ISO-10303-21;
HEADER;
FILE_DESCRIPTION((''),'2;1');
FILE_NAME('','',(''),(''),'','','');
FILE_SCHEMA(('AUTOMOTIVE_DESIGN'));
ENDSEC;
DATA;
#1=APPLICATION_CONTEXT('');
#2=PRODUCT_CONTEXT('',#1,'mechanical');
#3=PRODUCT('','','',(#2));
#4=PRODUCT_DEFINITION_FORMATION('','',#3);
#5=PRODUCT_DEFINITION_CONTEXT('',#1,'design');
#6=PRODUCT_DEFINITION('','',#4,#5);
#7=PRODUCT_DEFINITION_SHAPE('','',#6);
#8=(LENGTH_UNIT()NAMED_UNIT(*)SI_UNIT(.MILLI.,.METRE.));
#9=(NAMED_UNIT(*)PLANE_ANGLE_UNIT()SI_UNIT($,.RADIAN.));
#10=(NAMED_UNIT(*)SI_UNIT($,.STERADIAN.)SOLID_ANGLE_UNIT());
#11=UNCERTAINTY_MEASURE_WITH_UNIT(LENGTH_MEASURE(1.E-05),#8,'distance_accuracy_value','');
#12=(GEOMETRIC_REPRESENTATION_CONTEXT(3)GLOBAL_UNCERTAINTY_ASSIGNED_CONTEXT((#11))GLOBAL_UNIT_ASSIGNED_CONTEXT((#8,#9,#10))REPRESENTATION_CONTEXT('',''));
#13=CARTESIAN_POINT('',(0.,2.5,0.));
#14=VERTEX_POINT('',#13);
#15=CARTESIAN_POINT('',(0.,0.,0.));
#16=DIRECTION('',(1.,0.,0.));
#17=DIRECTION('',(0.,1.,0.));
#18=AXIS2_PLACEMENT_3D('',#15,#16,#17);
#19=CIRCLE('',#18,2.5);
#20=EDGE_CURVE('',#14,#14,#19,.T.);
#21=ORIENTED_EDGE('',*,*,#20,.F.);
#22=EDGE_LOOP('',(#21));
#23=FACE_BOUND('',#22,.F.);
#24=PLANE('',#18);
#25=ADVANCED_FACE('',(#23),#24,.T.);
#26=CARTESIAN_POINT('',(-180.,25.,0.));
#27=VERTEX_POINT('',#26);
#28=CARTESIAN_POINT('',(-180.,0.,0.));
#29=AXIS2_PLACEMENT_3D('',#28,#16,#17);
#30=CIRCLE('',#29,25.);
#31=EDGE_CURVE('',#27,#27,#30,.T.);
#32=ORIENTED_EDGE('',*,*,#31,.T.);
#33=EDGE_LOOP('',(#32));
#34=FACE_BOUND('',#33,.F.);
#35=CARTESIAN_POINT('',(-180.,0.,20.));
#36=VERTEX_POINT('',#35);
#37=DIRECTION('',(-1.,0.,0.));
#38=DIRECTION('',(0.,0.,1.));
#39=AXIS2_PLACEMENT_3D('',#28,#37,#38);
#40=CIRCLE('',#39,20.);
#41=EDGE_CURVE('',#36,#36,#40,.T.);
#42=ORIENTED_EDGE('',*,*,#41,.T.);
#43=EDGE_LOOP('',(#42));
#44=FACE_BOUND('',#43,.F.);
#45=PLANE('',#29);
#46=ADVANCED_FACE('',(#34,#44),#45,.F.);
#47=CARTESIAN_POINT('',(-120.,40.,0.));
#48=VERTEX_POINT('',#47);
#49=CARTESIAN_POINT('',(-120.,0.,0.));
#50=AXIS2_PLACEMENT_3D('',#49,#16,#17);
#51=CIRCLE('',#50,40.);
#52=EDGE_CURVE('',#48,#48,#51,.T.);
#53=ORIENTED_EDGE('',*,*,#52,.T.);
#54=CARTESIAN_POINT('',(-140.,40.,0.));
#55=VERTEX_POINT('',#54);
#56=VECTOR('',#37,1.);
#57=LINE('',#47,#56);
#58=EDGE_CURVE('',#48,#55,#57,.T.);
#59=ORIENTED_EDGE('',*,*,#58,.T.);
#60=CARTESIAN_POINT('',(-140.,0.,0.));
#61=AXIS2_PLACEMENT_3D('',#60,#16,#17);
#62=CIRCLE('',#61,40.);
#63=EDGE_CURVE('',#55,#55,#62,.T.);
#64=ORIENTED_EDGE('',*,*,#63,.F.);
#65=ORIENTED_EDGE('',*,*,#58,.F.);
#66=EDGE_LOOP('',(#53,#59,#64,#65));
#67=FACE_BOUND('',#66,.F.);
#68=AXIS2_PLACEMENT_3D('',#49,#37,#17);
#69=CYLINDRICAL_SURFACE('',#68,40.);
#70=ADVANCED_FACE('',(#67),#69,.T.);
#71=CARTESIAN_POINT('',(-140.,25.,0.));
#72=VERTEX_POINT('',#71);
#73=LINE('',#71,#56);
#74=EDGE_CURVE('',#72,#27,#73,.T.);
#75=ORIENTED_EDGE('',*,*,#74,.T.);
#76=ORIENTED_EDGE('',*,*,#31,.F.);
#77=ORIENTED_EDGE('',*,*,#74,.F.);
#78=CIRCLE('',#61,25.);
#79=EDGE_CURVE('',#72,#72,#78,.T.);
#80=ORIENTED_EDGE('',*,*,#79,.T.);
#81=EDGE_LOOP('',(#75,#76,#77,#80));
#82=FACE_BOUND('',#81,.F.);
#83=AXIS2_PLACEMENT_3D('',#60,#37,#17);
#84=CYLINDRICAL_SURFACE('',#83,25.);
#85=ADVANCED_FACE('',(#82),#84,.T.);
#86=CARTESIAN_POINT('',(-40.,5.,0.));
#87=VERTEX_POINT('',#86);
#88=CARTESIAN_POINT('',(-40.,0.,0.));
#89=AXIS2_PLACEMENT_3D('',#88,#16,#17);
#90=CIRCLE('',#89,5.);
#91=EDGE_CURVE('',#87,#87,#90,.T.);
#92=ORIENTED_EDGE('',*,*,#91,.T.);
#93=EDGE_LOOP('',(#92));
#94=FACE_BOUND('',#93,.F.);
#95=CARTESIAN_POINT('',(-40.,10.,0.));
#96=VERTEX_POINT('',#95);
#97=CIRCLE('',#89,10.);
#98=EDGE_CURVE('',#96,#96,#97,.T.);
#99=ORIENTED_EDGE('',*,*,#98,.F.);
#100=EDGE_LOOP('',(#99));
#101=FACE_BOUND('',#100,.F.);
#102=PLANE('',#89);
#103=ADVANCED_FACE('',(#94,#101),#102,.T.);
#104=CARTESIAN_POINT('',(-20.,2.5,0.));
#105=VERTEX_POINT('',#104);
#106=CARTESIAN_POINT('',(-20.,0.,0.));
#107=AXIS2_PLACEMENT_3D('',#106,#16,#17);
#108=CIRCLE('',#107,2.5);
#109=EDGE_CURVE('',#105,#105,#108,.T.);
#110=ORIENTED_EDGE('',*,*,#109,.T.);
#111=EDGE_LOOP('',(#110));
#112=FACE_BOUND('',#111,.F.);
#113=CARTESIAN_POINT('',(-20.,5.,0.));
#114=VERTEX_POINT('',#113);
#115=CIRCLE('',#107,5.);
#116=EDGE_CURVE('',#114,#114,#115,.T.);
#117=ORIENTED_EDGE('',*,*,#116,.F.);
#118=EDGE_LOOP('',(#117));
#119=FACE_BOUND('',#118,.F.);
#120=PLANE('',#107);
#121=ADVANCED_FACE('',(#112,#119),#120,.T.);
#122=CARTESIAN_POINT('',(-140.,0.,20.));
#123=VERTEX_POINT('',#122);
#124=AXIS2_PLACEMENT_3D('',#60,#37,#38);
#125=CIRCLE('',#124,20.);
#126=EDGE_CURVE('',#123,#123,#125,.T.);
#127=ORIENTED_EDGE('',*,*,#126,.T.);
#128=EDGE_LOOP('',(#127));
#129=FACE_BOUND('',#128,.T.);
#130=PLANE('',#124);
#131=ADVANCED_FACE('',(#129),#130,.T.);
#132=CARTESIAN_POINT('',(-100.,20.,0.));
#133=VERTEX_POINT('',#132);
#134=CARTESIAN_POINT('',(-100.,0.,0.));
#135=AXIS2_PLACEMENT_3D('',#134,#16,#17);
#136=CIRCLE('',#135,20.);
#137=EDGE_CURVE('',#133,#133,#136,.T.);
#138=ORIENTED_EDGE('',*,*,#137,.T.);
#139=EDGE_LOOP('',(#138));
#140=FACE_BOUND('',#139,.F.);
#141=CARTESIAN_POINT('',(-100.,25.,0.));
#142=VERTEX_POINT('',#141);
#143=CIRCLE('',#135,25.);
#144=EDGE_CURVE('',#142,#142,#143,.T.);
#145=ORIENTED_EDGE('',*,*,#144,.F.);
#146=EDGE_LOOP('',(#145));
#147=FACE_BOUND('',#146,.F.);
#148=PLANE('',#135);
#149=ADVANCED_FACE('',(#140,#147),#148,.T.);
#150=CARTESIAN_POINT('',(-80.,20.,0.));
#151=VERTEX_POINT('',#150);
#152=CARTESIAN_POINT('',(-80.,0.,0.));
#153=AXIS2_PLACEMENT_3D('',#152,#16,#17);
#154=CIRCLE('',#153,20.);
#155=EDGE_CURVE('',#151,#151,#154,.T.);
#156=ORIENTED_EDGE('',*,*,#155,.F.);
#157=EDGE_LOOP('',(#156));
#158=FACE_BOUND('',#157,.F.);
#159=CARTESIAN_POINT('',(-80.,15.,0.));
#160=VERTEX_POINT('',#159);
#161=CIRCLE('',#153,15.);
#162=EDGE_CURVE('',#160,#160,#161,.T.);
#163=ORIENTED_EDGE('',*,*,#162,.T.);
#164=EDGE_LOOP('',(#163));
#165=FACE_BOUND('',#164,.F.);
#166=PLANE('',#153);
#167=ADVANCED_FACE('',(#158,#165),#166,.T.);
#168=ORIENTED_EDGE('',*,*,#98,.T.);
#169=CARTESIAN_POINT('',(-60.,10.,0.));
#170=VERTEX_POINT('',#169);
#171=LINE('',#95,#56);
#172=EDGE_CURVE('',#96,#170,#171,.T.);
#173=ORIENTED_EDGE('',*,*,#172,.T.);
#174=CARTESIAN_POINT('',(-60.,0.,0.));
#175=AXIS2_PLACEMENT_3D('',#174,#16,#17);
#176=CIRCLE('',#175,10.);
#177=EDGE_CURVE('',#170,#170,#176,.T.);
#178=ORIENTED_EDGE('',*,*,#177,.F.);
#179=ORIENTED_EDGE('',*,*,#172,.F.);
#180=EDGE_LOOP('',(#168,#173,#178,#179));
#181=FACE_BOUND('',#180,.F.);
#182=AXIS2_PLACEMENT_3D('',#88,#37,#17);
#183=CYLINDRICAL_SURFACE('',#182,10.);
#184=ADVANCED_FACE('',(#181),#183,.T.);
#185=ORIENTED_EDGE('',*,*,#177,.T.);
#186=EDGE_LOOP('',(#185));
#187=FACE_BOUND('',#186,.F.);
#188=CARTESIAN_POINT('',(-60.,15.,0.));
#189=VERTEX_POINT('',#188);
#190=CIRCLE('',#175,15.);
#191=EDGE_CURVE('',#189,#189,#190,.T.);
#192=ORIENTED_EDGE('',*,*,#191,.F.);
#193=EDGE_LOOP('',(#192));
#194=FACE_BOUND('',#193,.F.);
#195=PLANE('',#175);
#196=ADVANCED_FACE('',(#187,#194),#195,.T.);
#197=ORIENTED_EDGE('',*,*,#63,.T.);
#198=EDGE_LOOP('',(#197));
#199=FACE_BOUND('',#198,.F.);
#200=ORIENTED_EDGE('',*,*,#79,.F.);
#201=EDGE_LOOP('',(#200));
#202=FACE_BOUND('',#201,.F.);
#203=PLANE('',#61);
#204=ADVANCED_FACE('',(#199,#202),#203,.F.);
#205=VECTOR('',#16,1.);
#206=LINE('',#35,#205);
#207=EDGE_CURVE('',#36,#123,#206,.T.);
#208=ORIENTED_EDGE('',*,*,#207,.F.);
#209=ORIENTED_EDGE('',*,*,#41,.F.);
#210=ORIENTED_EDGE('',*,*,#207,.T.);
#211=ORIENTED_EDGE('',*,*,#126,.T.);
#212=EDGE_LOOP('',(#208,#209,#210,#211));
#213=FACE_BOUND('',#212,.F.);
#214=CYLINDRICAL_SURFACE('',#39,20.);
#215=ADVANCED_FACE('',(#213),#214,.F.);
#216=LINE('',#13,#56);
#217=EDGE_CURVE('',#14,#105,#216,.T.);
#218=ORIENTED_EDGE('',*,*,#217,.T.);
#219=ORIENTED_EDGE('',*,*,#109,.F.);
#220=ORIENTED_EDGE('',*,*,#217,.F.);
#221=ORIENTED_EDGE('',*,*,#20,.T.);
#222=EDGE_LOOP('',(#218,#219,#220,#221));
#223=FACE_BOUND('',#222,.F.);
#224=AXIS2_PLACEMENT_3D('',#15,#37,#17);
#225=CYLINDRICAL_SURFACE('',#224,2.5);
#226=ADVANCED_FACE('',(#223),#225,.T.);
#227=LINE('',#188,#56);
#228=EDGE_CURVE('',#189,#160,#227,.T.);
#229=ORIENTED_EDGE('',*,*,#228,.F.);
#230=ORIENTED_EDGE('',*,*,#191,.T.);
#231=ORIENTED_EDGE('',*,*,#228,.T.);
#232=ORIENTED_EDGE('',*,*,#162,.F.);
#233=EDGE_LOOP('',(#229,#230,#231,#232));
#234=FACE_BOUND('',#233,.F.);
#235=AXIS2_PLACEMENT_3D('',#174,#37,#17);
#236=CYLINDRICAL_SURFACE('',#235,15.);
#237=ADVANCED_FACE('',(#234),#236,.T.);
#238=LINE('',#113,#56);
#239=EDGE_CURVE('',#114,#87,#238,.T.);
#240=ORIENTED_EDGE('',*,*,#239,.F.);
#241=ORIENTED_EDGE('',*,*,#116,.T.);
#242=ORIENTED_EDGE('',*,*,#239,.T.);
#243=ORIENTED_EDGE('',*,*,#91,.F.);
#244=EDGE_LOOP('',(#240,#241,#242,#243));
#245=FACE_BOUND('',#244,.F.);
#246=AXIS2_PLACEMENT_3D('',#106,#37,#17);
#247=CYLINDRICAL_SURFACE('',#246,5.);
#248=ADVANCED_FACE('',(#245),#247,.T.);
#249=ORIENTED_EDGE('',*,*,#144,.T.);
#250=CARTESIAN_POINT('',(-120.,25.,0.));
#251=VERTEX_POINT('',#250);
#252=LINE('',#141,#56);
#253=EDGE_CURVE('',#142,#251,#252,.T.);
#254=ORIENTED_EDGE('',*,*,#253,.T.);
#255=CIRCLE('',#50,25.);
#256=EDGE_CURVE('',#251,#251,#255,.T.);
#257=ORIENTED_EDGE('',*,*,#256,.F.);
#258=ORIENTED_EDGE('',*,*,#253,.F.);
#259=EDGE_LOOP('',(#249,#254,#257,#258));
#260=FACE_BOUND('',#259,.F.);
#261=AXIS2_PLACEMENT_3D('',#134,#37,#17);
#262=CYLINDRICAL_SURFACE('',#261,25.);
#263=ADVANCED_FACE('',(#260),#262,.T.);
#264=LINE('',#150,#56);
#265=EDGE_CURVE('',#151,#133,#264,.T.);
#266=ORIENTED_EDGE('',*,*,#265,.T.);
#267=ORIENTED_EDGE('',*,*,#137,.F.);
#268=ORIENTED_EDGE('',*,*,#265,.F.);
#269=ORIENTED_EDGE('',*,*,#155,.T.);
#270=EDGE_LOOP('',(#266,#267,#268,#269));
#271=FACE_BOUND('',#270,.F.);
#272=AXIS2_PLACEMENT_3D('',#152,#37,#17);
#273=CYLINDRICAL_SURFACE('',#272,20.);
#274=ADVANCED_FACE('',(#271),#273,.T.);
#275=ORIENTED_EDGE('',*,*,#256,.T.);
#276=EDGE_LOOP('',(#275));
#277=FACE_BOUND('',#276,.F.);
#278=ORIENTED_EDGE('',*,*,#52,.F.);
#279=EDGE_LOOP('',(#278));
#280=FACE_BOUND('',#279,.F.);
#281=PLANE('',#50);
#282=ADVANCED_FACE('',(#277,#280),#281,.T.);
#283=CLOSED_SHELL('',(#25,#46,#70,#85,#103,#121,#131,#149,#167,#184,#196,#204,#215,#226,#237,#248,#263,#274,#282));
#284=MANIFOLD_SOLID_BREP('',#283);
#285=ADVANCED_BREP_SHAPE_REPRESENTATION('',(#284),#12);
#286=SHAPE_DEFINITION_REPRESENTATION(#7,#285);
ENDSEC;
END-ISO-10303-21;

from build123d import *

# Parameters (mm, degrees)
CROQUIS2_R            = 20
CORTAR_EXTRUIR1_DEPTH = 40


with BuildPart() as part:
    # Croquis1 → Revolución1 (revolve)
    with BuildSketch(Plane.XY):
        Polygon((0, 0), (0, 2.5), (-20, 2.5), (-20, 5), (-40, 5), (-40, 10), (-60, 10), (-60, 15), (-80, 15), (-80, 20), (-100, 20), (-100, 25), (-120, 25), (-120, 40), (-140, 40), (-140, 25), (-180, 25), (-180, 0), align=None)
    revolve(axis=Axis((-180, 0, 0), (1, 0, 0)))

    # Croquis2 → Cortar-Extruir1 (cut)
    with BuildSketch(Plane.ZY.offset(180)):
        Circle(CROQUIS2_R)
    extrude(amount=-CORTAR_EXTRUIR1_DEPTH, mode=Mode.SUBTRACT)


solid = part.part
